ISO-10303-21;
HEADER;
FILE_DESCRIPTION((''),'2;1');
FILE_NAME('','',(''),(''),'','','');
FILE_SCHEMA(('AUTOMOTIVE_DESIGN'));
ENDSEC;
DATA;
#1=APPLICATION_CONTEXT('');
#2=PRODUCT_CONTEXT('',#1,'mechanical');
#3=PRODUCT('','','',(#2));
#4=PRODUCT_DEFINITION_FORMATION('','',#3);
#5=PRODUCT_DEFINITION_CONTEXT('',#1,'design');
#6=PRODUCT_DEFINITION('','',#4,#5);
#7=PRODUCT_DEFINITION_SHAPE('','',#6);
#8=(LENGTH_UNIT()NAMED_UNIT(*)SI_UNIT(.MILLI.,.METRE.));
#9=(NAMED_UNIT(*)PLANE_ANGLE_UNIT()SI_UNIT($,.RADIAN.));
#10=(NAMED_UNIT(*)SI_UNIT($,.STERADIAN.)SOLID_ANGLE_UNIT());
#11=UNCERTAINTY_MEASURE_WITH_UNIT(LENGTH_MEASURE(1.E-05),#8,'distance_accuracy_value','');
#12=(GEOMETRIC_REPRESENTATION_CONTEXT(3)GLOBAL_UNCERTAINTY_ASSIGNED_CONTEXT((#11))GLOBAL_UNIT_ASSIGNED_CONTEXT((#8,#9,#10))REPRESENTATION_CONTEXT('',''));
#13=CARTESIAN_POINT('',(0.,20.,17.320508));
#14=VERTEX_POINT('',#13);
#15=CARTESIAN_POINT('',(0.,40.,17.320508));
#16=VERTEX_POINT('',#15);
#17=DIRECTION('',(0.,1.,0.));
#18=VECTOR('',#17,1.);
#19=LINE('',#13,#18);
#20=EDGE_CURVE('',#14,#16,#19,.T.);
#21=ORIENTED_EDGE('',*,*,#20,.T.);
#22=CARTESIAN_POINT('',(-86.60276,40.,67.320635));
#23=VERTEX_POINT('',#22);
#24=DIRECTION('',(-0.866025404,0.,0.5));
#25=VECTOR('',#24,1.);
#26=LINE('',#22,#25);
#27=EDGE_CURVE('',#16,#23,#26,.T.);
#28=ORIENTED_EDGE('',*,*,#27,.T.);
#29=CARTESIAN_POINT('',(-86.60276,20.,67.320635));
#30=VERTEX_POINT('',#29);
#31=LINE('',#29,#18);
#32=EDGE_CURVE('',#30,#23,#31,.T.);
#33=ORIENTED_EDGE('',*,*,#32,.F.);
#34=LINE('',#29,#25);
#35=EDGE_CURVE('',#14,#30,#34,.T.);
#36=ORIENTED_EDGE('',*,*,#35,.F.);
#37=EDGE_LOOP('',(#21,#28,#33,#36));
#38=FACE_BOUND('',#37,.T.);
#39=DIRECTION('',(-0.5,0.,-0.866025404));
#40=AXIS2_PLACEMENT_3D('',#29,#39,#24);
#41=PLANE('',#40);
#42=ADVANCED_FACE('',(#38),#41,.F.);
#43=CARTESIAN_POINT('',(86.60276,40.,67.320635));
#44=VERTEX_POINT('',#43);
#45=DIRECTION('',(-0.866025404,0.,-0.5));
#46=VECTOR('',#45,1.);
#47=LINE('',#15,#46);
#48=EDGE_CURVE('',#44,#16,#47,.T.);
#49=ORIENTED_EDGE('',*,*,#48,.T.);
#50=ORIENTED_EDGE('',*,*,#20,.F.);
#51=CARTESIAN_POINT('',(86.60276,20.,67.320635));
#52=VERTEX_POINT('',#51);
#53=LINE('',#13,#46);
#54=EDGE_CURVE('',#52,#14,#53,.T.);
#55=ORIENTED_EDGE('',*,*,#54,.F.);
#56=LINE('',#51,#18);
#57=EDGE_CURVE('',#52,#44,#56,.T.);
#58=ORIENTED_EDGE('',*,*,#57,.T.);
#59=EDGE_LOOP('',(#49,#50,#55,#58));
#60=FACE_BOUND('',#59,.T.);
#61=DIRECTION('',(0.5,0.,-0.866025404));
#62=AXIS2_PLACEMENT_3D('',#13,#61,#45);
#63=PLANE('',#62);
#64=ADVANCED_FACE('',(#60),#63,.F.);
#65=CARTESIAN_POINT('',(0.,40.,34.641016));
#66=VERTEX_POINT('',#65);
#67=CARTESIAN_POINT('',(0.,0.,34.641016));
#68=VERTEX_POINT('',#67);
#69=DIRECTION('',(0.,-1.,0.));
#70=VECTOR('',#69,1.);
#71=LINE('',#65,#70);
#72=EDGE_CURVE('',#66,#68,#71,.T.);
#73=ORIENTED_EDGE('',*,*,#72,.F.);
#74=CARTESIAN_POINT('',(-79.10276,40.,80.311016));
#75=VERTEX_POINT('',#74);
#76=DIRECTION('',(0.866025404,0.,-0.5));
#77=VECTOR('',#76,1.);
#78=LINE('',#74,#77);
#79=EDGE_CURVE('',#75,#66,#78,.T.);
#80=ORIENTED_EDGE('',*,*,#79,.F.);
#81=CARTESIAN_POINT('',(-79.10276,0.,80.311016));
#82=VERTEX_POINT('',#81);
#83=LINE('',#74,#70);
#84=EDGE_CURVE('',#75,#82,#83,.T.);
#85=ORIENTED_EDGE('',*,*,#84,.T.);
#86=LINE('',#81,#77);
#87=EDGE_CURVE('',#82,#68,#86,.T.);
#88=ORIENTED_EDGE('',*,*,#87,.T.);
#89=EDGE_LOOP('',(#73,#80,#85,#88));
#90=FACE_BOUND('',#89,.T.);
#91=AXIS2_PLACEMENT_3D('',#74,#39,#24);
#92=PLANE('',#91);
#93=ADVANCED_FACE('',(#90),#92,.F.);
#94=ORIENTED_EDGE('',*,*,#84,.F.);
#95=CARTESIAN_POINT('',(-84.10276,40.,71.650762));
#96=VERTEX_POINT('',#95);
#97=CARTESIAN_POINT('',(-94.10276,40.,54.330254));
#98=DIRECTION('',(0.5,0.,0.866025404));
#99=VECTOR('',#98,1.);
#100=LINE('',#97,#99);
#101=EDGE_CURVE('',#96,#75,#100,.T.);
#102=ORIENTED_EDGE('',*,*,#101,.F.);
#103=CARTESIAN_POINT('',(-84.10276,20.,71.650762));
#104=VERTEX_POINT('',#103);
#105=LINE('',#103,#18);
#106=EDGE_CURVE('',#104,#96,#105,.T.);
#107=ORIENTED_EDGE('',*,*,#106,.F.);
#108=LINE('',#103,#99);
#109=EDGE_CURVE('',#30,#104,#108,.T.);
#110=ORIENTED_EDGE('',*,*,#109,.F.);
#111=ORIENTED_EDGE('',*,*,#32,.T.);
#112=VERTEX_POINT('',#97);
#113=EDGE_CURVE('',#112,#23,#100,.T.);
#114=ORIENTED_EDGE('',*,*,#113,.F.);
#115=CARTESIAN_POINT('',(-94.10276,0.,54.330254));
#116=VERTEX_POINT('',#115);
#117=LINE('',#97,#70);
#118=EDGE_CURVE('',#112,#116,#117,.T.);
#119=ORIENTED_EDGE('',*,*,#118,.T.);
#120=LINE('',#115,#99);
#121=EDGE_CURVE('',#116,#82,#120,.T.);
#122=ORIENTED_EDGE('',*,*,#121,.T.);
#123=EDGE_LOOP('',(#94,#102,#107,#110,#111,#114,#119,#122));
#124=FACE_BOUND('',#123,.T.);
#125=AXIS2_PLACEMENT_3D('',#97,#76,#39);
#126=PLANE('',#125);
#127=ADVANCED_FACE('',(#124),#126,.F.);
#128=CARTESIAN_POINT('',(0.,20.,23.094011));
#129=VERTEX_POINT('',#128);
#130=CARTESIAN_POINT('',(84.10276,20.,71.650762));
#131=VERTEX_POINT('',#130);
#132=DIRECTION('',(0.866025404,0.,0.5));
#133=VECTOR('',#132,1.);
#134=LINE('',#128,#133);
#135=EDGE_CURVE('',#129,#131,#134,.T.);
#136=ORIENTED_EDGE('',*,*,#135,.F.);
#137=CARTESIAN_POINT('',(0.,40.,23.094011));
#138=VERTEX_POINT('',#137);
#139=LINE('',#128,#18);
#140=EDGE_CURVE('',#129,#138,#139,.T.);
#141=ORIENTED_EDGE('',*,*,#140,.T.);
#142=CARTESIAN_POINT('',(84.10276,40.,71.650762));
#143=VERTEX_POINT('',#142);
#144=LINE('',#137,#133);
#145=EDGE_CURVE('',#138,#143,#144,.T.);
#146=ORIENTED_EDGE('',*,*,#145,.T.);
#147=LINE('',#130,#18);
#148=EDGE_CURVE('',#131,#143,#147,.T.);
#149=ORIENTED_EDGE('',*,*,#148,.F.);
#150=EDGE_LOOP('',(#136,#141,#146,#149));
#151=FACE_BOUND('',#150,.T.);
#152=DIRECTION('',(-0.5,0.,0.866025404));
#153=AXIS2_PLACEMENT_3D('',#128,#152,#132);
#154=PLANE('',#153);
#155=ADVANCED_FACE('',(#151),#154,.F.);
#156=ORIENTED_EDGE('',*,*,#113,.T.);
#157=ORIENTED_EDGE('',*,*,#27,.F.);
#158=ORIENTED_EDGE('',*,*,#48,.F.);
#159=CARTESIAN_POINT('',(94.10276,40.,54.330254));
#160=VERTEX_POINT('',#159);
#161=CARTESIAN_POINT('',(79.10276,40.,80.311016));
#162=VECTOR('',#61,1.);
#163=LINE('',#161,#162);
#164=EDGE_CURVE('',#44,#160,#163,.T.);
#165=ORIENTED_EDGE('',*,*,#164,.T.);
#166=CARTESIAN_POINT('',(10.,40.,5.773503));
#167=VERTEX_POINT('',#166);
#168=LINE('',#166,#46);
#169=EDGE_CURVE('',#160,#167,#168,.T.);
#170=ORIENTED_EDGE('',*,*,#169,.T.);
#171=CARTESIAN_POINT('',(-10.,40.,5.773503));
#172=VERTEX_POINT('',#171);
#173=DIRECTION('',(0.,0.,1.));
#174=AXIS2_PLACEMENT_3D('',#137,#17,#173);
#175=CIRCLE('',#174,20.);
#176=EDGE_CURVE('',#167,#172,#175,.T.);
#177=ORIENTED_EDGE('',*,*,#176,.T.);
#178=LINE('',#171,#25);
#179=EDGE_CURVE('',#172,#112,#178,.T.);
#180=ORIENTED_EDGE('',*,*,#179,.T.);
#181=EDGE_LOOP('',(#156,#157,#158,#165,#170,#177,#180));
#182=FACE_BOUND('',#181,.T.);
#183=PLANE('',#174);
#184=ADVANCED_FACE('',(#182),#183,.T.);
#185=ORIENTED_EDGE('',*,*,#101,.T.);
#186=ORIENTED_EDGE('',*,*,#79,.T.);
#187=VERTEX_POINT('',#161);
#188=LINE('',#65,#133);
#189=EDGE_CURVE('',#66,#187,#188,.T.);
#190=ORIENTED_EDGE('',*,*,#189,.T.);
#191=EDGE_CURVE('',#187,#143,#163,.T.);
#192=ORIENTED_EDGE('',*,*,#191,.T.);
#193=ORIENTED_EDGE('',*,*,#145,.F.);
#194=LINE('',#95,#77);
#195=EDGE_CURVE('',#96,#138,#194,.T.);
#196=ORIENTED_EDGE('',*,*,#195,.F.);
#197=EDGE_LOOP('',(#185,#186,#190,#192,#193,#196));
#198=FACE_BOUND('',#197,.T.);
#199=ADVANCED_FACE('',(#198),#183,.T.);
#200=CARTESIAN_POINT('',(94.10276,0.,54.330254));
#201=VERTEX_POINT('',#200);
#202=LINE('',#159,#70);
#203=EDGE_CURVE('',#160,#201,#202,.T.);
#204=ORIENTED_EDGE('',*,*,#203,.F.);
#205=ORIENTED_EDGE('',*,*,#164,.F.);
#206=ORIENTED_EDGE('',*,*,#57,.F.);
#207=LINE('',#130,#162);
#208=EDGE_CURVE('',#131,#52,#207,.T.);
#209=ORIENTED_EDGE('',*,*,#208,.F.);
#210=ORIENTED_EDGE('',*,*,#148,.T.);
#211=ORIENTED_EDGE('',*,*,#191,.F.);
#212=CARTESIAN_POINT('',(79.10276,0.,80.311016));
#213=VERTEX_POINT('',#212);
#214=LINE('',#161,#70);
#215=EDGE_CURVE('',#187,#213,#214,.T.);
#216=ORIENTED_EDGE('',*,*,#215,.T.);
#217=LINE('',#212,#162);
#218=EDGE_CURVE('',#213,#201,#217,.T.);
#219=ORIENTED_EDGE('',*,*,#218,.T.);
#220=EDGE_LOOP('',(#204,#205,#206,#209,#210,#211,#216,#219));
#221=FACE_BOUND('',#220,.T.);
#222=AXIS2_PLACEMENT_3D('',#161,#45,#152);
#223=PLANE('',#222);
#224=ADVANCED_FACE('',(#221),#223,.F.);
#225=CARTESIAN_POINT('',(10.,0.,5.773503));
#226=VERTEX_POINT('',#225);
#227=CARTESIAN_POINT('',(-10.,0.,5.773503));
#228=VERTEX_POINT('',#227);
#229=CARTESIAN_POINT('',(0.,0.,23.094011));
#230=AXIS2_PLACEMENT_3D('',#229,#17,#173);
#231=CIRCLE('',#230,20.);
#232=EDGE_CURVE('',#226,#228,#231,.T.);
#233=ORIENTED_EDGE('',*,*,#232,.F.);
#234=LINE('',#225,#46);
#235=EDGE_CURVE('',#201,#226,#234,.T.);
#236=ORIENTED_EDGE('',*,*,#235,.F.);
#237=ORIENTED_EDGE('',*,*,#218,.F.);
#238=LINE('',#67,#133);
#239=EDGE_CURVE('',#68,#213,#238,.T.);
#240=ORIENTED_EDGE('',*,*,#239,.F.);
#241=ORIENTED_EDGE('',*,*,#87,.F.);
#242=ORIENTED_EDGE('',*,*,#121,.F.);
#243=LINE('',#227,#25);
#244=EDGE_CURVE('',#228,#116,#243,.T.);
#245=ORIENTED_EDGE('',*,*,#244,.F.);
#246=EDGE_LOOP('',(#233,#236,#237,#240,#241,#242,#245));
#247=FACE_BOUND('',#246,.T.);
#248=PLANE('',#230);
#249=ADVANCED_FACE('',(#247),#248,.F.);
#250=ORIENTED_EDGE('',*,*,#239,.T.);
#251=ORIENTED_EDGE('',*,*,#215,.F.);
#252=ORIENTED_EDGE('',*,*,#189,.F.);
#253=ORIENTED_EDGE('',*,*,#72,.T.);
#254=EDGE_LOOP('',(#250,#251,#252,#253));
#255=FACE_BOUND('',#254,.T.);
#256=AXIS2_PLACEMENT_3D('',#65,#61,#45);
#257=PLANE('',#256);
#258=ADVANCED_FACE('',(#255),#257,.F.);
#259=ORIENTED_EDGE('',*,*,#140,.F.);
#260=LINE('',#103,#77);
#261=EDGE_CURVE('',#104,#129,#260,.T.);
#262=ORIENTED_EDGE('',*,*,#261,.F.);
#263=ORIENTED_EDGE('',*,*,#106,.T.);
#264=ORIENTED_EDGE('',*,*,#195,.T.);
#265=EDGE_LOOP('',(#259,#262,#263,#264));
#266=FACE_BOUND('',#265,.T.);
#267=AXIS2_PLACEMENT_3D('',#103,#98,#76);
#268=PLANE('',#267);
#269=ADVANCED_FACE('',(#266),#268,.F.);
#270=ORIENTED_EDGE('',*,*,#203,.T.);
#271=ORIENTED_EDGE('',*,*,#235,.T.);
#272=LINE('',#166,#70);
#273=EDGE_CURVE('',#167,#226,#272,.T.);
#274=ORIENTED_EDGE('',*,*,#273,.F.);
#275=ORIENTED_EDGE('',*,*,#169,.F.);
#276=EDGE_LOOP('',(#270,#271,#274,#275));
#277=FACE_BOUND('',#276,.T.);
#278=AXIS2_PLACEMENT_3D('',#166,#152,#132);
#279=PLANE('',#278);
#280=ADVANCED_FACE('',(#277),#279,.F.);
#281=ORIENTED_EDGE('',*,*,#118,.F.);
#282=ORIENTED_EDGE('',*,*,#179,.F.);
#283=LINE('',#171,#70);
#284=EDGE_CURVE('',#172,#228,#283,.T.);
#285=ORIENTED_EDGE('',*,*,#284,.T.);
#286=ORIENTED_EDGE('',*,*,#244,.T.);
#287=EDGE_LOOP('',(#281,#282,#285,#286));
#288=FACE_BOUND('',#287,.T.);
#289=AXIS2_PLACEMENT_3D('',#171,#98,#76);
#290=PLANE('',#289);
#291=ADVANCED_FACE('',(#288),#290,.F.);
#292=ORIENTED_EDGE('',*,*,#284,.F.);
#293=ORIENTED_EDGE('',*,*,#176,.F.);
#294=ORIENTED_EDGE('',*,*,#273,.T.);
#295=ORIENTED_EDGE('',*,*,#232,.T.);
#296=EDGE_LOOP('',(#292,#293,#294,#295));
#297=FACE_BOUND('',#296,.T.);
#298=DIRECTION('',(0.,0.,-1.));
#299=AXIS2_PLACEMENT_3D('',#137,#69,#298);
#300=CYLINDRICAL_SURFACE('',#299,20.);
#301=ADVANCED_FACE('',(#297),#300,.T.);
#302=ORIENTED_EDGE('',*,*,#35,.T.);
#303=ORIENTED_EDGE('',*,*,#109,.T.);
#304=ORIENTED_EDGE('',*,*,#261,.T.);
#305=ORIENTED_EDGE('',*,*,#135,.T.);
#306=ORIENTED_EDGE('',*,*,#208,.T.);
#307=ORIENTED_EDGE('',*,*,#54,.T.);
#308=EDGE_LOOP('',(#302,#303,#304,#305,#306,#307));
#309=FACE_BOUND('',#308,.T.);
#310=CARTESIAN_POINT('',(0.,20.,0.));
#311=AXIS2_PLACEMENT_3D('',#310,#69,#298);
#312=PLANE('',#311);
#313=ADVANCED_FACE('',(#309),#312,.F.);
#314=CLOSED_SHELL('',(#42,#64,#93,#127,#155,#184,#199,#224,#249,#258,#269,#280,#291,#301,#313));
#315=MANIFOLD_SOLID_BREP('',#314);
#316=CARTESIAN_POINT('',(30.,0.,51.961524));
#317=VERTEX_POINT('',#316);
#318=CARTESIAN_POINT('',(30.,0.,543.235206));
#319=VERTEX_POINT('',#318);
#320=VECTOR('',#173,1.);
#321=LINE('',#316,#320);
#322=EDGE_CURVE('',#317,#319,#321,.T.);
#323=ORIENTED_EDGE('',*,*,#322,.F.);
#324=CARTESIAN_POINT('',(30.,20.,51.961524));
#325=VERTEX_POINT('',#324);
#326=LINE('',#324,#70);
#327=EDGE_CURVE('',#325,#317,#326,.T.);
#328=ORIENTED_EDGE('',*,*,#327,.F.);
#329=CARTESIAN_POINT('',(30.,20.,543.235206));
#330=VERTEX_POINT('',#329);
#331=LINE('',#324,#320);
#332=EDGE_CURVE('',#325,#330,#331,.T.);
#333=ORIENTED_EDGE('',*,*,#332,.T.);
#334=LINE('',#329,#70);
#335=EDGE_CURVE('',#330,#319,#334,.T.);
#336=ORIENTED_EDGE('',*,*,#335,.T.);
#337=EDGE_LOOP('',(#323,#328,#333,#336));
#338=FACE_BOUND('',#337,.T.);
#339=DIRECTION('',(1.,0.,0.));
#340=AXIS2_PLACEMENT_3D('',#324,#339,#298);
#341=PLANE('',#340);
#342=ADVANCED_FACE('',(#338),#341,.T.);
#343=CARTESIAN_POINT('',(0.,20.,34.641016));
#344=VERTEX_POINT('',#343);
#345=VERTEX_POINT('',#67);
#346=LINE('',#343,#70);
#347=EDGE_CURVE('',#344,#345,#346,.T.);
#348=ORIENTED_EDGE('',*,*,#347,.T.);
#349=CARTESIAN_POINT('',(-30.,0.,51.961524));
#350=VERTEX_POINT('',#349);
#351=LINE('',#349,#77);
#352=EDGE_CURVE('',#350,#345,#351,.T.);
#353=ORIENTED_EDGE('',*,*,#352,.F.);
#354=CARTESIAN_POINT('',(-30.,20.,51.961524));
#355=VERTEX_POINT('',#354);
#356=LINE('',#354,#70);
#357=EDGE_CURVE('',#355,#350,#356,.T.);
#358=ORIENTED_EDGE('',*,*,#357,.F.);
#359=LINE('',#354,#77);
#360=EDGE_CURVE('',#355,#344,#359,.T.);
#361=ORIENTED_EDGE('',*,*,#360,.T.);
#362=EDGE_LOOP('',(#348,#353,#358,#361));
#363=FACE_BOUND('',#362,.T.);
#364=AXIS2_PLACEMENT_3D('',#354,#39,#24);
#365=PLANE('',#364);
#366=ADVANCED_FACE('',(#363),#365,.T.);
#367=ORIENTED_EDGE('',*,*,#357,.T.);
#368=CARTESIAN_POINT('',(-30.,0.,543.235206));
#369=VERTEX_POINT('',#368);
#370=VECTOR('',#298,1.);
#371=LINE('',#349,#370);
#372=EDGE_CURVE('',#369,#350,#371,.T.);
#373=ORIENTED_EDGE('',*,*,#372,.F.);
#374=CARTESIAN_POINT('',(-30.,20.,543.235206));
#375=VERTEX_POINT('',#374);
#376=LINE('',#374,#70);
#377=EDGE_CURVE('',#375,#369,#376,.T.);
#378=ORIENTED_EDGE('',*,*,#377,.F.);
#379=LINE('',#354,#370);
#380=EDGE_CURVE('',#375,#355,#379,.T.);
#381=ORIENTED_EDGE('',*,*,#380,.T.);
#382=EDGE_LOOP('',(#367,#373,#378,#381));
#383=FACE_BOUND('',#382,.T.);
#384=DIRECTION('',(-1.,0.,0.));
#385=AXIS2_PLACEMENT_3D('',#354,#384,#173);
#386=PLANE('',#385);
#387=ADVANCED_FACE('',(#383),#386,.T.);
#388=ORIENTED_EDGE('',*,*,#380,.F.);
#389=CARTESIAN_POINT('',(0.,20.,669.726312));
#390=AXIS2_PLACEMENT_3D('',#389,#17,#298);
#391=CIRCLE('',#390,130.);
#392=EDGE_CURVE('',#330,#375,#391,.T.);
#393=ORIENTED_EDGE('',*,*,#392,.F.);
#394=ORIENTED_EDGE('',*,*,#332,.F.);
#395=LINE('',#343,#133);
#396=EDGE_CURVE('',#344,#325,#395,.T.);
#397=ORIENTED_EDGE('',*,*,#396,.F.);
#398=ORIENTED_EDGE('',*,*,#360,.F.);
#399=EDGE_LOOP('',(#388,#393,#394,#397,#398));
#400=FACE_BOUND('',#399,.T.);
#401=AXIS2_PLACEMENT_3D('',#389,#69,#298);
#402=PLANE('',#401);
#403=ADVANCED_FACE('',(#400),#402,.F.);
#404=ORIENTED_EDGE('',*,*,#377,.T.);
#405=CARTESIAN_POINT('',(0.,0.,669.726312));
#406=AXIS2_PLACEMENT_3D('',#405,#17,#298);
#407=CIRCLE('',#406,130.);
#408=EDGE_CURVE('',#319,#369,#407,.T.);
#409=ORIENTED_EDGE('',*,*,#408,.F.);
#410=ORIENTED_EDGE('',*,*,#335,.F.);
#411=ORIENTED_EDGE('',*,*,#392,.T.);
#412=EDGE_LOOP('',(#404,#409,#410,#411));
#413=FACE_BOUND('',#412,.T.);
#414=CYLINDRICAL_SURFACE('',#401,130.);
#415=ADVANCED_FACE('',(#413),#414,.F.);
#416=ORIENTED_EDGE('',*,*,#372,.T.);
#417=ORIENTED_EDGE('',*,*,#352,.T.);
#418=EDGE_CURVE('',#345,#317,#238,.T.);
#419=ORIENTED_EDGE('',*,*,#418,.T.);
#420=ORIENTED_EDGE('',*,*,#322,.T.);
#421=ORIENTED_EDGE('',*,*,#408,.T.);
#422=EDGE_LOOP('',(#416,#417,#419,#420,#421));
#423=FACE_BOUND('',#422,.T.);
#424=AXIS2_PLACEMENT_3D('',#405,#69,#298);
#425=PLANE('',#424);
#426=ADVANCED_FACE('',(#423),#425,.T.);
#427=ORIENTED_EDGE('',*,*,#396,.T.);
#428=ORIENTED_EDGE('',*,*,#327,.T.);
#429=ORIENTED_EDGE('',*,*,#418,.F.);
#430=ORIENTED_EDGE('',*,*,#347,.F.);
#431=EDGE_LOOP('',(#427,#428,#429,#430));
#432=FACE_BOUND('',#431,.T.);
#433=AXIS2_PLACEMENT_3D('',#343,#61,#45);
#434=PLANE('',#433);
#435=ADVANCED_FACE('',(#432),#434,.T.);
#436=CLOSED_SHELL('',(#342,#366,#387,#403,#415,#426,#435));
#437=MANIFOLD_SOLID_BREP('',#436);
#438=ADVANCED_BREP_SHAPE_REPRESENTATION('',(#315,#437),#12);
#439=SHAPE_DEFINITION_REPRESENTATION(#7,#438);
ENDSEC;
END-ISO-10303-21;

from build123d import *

# Parameters (mm, degrees)
BOSS_EXTRUDE1_DEPTH = 40
CUT_EXTRUDE1_DEPTH  = 20
BOSS_EXTRUDE2_DEPTH = 20


with BuildPart() as part:
    # Sketch1 → Boss-Extrude1 (new body)
    with BuildSketch(Plane(origin=(0, 0, 0), x_dir=(1, 0, 0), z_dir=(0, 1, 0))):
        with BuildLine():
            Line((10, -5.773502692), (94.102760382, -54.330254038))
            Line((94.102760382, -54.330254038), (79.102760382, -80.311016151))
            Line((79.102760382, -80.311016151), (0, -34.641016151))
            Line((0, -34.641016151), (-79.102760382, -80.311016151))
            Line((-79.102760382, -80.311016151), (-94.102760382, -54.330254038))
            Line((-94.102760382, -54.330254038), (-10, -5.773502692))
            ThreePointArc((-10, -5.773502692), (0, -3.094010768), (10, -5.773502692))
        make_face()
    extrude(amount=BOSS_EXTRUDE1_DEPTH)

    # Sketch2 → Cut-Extrude1 (cut)
    with BuildSketch(Plane(origin=(0, 40, 0), x_dir=(1, 0, 0), z_dir=(0, 1, 0))):
        Polygon((-86.602760382, -67.320635095), (0, -17.320508076), (86.602760382, -67.320635095), (84.102760382, -71.650762114), (0, -23.094010768), (-84.102760382, -71.650762114), align=None)
    extrude(amount=-CUT_EXTRUDE1_DEPTH, mode=Mode.SUBTRACT)


with BuildPart() as body_2:
    # Sketch3 → Boss-Extrude2 (new body)
    with BuildSketch(Plane.XZ):
        with BuildLine():
            Line((-30, 51.961524227), (0, 34.641016151))
            Line((0, 34.641016151), (30, 51.961524227))
            Line((30, 51.961524227), (30, 543.235205853))
            ThreePointArc((30, 543.235205853), (0, 539.72631226), (-30, 543.235205853))
            Line((-30, 543.235205853), (-30, 51.961524227))
        make_face()
    extrude(amount=-BOSS_EXTRUDE2_DEPTH)


solid = Compound([part.part, body_2.part])
